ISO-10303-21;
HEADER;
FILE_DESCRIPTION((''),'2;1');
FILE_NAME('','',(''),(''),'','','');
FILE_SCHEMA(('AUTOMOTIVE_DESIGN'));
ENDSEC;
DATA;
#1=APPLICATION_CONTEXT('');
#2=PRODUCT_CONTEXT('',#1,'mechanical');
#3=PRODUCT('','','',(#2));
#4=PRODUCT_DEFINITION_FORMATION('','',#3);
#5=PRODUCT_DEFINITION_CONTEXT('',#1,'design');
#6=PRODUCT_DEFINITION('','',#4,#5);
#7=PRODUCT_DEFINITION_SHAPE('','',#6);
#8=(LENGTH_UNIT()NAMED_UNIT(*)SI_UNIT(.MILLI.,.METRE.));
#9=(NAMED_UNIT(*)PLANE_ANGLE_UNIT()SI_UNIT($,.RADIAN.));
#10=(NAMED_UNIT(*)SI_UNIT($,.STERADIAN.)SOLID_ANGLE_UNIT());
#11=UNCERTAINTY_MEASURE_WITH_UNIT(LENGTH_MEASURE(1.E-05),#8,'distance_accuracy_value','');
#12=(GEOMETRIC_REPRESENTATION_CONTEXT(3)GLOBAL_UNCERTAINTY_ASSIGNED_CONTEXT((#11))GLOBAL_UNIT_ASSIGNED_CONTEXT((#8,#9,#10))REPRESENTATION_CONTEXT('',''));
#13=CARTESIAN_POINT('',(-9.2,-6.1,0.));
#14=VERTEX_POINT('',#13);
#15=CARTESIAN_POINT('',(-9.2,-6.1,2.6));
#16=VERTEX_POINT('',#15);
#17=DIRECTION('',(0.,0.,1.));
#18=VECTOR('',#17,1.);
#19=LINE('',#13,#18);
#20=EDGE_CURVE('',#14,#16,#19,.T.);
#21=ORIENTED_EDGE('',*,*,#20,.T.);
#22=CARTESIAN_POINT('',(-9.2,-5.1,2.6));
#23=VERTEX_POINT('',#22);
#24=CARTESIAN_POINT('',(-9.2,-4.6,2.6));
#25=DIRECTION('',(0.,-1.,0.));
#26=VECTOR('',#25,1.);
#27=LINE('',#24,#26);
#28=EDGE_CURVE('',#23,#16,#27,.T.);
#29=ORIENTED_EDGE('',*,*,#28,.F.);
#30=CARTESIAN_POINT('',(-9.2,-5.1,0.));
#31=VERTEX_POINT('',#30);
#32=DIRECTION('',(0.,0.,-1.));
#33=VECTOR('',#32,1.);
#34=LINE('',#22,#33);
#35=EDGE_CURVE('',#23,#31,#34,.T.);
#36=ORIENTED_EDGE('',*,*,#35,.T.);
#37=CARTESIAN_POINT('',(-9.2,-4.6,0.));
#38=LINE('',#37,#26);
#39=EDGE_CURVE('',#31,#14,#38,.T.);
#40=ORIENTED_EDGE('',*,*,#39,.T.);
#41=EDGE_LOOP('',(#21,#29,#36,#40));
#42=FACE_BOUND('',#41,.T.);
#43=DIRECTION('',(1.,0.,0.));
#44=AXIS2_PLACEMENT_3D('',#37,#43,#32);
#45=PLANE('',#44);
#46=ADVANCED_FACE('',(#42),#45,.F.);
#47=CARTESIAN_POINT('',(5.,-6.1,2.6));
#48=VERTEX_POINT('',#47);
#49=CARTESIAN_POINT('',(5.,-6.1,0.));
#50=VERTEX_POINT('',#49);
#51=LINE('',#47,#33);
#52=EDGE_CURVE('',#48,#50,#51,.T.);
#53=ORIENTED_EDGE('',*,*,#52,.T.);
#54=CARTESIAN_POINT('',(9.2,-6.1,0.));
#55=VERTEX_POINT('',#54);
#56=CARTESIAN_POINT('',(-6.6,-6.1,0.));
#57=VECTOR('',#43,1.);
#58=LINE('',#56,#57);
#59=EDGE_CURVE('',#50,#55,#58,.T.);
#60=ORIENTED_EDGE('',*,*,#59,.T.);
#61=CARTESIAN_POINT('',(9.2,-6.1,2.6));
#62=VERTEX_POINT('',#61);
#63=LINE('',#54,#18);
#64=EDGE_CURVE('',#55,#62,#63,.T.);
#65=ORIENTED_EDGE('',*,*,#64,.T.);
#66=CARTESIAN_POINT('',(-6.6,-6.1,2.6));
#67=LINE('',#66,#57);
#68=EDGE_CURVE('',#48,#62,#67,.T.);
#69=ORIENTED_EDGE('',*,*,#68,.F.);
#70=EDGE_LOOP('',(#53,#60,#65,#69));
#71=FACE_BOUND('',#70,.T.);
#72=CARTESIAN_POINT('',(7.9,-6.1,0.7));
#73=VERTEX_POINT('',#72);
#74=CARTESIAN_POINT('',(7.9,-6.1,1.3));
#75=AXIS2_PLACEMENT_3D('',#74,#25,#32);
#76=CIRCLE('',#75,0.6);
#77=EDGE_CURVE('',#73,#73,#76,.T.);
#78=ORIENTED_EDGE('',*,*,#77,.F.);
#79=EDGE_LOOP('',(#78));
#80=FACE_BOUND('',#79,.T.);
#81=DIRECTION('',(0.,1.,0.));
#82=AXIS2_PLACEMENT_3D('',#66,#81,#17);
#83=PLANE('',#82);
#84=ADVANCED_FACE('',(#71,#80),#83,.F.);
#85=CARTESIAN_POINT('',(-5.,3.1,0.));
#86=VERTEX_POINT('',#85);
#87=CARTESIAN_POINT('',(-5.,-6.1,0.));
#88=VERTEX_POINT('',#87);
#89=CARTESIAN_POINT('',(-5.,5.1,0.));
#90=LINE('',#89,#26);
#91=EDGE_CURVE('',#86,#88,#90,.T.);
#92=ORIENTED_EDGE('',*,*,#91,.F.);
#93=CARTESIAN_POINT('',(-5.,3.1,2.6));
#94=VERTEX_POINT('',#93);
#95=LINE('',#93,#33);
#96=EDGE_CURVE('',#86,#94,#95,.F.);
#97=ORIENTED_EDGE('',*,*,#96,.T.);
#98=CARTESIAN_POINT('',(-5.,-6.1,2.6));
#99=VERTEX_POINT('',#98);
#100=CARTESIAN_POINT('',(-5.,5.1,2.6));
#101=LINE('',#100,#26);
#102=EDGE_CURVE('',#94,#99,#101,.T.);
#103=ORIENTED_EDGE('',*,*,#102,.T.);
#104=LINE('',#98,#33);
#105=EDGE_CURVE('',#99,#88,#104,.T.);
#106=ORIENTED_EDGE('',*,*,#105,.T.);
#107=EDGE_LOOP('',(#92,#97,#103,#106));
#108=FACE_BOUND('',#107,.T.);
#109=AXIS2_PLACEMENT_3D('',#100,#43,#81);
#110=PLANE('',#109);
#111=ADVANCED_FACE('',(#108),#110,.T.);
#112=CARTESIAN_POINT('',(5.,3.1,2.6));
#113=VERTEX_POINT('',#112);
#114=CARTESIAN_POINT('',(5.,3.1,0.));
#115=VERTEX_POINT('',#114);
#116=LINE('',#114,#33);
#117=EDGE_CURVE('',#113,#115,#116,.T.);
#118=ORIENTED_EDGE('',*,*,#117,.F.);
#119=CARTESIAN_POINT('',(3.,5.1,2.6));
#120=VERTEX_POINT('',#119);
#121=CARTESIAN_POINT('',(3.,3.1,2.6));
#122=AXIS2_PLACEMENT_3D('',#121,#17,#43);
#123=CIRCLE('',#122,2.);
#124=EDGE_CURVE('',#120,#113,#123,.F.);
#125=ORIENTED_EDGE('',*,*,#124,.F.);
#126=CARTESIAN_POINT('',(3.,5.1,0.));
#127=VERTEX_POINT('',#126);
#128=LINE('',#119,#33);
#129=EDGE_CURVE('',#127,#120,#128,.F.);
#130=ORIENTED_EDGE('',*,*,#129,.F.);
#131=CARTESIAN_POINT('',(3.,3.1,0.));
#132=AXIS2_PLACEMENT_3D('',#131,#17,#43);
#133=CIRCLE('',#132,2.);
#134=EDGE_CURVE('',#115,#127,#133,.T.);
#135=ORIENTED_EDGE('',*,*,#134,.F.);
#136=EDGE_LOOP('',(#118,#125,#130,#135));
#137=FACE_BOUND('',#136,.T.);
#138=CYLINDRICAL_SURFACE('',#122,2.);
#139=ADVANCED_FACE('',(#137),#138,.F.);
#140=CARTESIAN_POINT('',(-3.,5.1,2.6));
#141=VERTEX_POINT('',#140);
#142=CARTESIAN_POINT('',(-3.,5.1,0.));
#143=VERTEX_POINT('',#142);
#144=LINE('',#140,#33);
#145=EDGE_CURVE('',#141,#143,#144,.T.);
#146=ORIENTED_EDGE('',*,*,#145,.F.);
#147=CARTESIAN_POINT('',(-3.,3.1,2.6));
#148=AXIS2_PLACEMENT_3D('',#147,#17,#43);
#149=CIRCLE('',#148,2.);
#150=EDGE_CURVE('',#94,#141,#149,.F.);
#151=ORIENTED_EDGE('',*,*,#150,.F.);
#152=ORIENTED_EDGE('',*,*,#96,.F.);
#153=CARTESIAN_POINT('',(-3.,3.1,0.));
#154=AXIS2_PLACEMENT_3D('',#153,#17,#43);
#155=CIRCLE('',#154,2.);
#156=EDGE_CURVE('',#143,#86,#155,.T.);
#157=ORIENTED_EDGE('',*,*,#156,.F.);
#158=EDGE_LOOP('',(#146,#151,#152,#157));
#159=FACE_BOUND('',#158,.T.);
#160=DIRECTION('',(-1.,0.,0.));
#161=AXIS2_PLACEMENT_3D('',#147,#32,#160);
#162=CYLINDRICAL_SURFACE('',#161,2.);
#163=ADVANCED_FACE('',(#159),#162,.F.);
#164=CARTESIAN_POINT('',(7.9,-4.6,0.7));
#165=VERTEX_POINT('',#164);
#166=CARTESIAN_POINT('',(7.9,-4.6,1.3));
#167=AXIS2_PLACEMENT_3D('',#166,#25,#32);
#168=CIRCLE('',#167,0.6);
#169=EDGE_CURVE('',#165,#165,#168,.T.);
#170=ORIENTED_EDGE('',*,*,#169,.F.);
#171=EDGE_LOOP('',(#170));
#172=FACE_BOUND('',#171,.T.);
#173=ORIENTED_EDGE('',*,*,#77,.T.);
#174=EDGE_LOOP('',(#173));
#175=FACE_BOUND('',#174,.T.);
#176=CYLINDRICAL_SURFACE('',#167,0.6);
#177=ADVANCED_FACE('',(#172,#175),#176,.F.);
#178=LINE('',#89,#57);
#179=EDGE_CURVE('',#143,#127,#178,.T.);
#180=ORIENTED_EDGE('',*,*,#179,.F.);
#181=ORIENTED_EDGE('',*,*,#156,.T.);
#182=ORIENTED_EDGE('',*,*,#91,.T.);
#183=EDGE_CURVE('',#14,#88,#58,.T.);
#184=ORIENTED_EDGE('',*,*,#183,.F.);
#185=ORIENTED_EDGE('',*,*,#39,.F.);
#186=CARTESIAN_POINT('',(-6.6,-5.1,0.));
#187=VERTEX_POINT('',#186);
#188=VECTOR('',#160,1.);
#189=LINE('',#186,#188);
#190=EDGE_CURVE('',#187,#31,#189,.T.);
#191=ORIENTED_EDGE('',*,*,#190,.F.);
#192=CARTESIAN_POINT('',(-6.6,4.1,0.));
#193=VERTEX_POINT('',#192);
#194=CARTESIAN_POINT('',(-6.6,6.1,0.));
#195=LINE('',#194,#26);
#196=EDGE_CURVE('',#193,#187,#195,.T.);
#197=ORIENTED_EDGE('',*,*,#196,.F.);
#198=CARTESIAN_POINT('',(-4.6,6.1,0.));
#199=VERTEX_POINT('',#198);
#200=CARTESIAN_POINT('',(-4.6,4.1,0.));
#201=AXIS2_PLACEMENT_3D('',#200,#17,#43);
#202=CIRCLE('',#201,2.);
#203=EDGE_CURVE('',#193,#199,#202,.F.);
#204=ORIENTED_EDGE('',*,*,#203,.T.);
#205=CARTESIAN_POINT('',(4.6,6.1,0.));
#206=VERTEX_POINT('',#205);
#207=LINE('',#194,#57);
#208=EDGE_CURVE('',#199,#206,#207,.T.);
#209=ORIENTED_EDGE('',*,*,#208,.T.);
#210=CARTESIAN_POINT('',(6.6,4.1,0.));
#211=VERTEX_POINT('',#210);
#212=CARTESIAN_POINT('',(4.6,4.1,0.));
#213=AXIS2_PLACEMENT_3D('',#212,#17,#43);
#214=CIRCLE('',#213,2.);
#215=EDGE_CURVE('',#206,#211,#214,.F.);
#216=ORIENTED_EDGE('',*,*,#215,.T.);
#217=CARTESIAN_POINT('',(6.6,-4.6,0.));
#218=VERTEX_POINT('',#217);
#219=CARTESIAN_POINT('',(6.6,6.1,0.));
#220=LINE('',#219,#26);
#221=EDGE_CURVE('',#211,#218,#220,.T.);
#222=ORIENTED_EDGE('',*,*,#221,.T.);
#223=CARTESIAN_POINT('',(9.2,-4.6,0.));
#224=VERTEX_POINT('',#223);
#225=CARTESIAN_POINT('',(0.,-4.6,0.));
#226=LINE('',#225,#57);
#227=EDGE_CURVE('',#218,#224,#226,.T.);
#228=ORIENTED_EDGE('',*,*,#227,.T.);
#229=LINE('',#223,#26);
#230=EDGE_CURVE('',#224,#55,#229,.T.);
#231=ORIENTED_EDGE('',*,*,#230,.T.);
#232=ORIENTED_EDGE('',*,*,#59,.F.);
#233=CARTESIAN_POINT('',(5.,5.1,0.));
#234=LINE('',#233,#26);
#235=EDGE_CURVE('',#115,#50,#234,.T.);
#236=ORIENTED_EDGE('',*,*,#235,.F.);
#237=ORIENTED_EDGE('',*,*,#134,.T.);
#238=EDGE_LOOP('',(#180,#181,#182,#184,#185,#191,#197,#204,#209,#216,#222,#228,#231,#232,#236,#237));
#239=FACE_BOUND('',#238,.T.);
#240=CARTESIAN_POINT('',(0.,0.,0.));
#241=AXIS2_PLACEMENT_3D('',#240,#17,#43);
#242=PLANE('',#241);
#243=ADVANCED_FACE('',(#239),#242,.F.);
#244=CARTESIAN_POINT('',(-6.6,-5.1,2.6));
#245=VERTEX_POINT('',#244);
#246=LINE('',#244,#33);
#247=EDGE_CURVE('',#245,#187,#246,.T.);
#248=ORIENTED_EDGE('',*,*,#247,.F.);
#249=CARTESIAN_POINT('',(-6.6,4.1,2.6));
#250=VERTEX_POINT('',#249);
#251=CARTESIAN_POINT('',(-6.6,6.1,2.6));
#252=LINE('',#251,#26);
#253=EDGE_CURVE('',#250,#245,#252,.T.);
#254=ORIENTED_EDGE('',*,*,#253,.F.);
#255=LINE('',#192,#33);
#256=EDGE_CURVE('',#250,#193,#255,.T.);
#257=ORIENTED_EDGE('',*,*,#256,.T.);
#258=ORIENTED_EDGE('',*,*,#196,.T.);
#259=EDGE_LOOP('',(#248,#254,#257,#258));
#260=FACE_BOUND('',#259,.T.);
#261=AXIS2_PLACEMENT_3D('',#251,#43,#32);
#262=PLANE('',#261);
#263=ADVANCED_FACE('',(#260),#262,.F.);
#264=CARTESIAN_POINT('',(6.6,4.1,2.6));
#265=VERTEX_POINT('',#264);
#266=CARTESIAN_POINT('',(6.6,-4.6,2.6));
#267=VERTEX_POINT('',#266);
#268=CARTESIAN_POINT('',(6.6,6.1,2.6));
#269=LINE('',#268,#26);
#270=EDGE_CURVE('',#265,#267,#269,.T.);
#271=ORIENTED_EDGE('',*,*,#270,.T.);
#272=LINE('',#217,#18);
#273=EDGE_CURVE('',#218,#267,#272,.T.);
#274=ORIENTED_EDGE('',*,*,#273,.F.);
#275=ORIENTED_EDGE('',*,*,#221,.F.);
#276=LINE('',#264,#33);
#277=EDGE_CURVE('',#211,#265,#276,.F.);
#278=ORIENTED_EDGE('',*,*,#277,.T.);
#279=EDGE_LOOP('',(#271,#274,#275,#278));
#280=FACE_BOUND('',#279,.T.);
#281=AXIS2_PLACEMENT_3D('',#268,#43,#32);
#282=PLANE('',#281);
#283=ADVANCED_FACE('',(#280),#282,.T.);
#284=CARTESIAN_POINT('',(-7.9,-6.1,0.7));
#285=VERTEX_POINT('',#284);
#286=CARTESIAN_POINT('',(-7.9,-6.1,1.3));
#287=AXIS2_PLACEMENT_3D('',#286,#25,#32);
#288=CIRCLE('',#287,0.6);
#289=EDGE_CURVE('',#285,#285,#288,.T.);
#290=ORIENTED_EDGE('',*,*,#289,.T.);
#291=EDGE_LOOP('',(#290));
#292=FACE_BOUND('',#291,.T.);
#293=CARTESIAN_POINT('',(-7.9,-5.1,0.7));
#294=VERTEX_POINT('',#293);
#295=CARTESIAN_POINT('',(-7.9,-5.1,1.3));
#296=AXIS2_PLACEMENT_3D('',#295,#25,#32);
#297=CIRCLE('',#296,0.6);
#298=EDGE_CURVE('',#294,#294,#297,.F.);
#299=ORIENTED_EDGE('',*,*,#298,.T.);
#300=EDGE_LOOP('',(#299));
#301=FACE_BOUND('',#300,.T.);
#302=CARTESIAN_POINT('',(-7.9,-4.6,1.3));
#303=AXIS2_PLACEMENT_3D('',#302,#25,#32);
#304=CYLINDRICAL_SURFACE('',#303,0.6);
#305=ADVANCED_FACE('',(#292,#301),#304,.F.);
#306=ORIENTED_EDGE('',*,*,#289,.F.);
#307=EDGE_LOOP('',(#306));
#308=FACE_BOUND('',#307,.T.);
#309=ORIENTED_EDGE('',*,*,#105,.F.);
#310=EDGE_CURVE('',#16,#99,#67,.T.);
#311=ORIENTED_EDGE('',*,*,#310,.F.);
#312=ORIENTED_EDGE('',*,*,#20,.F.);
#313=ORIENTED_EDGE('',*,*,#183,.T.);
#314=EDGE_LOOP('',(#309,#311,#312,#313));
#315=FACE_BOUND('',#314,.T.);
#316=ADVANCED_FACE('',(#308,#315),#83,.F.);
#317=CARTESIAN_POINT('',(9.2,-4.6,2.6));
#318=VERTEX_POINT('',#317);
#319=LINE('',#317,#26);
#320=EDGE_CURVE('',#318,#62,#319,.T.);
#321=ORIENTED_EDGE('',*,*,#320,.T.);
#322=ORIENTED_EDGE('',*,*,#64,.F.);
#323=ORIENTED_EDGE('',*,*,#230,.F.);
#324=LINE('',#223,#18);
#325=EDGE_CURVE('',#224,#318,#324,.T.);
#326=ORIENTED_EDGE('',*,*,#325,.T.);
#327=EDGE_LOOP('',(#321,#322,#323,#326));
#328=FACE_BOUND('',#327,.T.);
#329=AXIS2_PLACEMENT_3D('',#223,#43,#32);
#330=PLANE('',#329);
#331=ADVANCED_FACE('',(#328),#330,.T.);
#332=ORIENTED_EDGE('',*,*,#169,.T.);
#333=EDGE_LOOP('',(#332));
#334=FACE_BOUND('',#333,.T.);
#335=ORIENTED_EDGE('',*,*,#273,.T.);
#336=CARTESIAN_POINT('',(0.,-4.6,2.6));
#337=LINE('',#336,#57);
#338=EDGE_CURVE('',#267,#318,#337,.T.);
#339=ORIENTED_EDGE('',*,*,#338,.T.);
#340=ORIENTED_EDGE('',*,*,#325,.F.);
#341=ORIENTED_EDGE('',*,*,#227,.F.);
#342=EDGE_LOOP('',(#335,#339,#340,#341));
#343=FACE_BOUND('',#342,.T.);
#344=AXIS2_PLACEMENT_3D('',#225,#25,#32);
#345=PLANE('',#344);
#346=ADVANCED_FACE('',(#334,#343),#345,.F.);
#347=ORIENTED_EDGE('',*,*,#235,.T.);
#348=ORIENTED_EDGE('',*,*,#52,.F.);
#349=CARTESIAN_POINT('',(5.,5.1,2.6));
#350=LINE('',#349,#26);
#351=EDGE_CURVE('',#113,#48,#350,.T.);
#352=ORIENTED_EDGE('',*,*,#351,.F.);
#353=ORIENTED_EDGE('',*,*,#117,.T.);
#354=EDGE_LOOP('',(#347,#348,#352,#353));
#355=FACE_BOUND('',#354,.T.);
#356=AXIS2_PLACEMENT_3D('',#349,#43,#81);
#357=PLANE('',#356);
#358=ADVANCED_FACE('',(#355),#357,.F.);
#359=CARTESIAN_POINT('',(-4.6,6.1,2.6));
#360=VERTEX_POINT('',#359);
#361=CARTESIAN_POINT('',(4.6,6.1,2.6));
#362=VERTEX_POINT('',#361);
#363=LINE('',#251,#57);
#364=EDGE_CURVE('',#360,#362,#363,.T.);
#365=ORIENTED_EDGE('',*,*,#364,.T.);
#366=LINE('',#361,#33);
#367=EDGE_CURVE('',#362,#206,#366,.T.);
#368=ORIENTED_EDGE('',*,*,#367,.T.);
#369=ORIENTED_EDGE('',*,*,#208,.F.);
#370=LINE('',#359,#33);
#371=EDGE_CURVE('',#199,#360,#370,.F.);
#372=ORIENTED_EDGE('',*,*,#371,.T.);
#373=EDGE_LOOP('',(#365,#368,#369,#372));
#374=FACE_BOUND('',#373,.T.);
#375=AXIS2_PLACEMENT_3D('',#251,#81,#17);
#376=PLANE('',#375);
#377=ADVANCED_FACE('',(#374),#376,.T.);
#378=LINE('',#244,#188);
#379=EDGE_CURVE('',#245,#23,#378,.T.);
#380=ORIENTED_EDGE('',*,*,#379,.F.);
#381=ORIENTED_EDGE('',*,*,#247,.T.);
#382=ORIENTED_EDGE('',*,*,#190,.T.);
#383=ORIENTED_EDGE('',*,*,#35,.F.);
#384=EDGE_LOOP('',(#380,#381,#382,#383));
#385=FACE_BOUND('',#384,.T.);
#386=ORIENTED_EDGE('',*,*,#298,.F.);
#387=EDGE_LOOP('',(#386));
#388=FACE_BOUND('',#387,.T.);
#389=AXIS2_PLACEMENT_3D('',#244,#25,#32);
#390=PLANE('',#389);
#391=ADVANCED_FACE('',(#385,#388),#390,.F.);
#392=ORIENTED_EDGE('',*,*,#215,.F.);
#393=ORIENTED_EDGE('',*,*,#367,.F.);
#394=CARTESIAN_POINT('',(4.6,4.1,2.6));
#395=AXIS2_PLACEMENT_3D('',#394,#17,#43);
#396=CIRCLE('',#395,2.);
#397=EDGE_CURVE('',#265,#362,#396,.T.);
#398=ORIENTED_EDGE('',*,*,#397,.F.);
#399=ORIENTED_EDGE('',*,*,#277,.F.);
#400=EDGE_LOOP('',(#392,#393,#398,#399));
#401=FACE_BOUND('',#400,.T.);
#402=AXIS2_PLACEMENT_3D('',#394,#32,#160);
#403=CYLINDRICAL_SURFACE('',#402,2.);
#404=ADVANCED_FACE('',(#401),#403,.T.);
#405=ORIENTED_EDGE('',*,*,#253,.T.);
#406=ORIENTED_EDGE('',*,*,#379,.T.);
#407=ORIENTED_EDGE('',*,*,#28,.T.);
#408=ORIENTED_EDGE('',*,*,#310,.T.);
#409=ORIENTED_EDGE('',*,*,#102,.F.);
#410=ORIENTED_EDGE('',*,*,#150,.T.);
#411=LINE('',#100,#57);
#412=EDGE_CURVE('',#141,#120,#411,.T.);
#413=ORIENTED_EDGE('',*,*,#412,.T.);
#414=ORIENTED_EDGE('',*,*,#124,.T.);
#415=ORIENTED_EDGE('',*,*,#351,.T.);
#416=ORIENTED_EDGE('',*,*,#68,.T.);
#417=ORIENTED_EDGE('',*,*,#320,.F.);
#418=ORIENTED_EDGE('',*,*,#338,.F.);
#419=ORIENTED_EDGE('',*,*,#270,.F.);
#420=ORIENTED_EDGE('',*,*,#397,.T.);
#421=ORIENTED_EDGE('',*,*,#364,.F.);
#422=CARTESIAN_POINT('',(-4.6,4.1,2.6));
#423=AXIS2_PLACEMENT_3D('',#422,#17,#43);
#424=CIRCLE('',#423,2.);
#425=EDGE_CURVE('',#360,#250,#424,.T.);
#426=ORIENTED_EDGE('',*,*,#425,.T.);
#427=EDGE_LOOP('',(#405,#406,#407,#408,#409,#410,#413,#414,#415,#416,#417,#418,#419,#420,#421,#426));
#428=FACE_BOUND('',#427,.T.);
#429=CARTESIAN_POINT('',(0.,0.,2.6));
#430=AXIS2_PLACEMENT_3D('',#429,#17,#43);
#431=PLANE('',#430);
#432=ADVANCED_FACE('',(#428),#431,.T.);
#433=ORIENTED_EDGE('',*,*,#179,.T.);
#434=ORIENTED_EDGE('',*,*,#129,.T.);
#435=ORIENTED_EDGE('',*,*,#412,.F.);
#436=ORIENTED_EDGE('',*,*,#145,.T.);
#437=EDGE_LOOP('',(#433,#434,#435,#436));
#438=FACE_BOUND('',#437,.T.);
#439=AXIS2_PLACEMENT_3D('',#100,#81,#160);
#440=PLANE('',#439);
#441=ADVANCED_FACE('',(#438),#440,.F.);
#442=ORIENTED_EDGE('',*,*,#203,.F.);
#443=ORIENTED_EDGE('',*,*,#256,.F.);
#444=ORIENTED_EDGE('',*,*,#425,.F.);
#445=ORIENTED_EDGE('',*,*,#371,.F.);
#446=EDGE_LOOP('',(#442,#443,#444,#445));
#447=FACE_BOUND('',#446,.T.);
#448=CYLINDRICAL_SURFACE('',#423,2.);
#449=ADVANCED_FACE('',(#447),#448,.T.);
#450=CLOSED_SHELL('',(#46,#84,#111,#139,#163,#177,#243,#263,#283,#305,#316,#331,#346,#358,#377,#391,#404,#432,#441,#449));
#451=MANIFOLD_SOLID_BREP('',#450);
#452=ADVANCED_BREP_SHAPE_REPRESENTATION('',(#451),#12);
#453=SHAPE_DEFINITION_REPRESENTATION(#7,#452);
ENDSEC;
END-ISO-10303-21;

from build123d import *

# Parameters (mm, degrees)
EXTRUDE_1_DEPTH     = 2.6
FILLET_1_R          = 2
SKETCH_2_W          = 2.6
SKETCH_2_H          = 2.6
SKETCH_2_R          = 0.6
EXTRUDE_2_DEPTH     = 1.5
SKETCH_3_W          = 2.6
SKETCH_3_H          = 0.5
CUT_EXTRUDE_1_DEPTH = 12.340634903


with BuildPart() as part:
    # 草图1 → 凸台-拉伸1 (new body)
    with BuildSketch(Plane.XY):
        Polygon((6.6, 6.1), (-6.6, 6.1), (-6.6, -6.1), (-5, -6.1), (-5, 5.1), (5, 5.1), (5, -6.1), (6.6, -6.1), align=None)
    extrude(amount=EXTRUDE_1_DEPTH)

    # 圆角1
    fillet_1_edges = [part.edges().sort_by_distance(p)[0] for p in [
        (5, 5.1, 1.3),
        (-5, 5.1, 1.3),
        (-6.6, 6.1, 1.3),
        (6.6, 6.1, 1.3),
    ]]
    fillet(fillet_1_edges, radius=FILLET_1_R)

    # 草图2 → 凸台-拉伸2 (add)
    # profile 1 of 2: a face of its own
    with BuildSketch(Plane.XZ.offset(6.1)):
        with Locations((-7.9, 1.3)):
            Rectangle(SKETCH_2_W, SKETCH_2_H)
        with Locations(Location((-7.9, 1.3, 0), (0, 0, 270))):
            Circle(SKETCH_2_R, mode=Mode.SUBTRACT)
    # profile 2 of 2: a face of its own
    with BuildSketch(Plane.XZ.offset(6.1)):
        with Locations((7.9, 1.3)):
            Rectangle(SKETCH_2_W, SKETCH_2_H)
        with Locations(Location((7.9, 1.3, 0), (0, 0, 270))):
            Circle(SKETCH_2_R, mode=Mode.SUBTRACT)
    extrude(amount=-EXTRUDE_2_DEPTH)

    # 草图3 → 切除-拉伸1 (cut, through all)
    with BuildSketch(Plane(origin=(0, 0, 0), x_dir=(-1, 0, 0), z_dir=(0, 0, -1))):
        with Locations((7.9, -4.85)):
            Rectangle(SKETCH_3_W, SKETCH_3_H)
    extrude(amount=-CUT_EXTRUDE_1_DEPTH, mode=Mode.SUBTRACT)


solid = part.part
